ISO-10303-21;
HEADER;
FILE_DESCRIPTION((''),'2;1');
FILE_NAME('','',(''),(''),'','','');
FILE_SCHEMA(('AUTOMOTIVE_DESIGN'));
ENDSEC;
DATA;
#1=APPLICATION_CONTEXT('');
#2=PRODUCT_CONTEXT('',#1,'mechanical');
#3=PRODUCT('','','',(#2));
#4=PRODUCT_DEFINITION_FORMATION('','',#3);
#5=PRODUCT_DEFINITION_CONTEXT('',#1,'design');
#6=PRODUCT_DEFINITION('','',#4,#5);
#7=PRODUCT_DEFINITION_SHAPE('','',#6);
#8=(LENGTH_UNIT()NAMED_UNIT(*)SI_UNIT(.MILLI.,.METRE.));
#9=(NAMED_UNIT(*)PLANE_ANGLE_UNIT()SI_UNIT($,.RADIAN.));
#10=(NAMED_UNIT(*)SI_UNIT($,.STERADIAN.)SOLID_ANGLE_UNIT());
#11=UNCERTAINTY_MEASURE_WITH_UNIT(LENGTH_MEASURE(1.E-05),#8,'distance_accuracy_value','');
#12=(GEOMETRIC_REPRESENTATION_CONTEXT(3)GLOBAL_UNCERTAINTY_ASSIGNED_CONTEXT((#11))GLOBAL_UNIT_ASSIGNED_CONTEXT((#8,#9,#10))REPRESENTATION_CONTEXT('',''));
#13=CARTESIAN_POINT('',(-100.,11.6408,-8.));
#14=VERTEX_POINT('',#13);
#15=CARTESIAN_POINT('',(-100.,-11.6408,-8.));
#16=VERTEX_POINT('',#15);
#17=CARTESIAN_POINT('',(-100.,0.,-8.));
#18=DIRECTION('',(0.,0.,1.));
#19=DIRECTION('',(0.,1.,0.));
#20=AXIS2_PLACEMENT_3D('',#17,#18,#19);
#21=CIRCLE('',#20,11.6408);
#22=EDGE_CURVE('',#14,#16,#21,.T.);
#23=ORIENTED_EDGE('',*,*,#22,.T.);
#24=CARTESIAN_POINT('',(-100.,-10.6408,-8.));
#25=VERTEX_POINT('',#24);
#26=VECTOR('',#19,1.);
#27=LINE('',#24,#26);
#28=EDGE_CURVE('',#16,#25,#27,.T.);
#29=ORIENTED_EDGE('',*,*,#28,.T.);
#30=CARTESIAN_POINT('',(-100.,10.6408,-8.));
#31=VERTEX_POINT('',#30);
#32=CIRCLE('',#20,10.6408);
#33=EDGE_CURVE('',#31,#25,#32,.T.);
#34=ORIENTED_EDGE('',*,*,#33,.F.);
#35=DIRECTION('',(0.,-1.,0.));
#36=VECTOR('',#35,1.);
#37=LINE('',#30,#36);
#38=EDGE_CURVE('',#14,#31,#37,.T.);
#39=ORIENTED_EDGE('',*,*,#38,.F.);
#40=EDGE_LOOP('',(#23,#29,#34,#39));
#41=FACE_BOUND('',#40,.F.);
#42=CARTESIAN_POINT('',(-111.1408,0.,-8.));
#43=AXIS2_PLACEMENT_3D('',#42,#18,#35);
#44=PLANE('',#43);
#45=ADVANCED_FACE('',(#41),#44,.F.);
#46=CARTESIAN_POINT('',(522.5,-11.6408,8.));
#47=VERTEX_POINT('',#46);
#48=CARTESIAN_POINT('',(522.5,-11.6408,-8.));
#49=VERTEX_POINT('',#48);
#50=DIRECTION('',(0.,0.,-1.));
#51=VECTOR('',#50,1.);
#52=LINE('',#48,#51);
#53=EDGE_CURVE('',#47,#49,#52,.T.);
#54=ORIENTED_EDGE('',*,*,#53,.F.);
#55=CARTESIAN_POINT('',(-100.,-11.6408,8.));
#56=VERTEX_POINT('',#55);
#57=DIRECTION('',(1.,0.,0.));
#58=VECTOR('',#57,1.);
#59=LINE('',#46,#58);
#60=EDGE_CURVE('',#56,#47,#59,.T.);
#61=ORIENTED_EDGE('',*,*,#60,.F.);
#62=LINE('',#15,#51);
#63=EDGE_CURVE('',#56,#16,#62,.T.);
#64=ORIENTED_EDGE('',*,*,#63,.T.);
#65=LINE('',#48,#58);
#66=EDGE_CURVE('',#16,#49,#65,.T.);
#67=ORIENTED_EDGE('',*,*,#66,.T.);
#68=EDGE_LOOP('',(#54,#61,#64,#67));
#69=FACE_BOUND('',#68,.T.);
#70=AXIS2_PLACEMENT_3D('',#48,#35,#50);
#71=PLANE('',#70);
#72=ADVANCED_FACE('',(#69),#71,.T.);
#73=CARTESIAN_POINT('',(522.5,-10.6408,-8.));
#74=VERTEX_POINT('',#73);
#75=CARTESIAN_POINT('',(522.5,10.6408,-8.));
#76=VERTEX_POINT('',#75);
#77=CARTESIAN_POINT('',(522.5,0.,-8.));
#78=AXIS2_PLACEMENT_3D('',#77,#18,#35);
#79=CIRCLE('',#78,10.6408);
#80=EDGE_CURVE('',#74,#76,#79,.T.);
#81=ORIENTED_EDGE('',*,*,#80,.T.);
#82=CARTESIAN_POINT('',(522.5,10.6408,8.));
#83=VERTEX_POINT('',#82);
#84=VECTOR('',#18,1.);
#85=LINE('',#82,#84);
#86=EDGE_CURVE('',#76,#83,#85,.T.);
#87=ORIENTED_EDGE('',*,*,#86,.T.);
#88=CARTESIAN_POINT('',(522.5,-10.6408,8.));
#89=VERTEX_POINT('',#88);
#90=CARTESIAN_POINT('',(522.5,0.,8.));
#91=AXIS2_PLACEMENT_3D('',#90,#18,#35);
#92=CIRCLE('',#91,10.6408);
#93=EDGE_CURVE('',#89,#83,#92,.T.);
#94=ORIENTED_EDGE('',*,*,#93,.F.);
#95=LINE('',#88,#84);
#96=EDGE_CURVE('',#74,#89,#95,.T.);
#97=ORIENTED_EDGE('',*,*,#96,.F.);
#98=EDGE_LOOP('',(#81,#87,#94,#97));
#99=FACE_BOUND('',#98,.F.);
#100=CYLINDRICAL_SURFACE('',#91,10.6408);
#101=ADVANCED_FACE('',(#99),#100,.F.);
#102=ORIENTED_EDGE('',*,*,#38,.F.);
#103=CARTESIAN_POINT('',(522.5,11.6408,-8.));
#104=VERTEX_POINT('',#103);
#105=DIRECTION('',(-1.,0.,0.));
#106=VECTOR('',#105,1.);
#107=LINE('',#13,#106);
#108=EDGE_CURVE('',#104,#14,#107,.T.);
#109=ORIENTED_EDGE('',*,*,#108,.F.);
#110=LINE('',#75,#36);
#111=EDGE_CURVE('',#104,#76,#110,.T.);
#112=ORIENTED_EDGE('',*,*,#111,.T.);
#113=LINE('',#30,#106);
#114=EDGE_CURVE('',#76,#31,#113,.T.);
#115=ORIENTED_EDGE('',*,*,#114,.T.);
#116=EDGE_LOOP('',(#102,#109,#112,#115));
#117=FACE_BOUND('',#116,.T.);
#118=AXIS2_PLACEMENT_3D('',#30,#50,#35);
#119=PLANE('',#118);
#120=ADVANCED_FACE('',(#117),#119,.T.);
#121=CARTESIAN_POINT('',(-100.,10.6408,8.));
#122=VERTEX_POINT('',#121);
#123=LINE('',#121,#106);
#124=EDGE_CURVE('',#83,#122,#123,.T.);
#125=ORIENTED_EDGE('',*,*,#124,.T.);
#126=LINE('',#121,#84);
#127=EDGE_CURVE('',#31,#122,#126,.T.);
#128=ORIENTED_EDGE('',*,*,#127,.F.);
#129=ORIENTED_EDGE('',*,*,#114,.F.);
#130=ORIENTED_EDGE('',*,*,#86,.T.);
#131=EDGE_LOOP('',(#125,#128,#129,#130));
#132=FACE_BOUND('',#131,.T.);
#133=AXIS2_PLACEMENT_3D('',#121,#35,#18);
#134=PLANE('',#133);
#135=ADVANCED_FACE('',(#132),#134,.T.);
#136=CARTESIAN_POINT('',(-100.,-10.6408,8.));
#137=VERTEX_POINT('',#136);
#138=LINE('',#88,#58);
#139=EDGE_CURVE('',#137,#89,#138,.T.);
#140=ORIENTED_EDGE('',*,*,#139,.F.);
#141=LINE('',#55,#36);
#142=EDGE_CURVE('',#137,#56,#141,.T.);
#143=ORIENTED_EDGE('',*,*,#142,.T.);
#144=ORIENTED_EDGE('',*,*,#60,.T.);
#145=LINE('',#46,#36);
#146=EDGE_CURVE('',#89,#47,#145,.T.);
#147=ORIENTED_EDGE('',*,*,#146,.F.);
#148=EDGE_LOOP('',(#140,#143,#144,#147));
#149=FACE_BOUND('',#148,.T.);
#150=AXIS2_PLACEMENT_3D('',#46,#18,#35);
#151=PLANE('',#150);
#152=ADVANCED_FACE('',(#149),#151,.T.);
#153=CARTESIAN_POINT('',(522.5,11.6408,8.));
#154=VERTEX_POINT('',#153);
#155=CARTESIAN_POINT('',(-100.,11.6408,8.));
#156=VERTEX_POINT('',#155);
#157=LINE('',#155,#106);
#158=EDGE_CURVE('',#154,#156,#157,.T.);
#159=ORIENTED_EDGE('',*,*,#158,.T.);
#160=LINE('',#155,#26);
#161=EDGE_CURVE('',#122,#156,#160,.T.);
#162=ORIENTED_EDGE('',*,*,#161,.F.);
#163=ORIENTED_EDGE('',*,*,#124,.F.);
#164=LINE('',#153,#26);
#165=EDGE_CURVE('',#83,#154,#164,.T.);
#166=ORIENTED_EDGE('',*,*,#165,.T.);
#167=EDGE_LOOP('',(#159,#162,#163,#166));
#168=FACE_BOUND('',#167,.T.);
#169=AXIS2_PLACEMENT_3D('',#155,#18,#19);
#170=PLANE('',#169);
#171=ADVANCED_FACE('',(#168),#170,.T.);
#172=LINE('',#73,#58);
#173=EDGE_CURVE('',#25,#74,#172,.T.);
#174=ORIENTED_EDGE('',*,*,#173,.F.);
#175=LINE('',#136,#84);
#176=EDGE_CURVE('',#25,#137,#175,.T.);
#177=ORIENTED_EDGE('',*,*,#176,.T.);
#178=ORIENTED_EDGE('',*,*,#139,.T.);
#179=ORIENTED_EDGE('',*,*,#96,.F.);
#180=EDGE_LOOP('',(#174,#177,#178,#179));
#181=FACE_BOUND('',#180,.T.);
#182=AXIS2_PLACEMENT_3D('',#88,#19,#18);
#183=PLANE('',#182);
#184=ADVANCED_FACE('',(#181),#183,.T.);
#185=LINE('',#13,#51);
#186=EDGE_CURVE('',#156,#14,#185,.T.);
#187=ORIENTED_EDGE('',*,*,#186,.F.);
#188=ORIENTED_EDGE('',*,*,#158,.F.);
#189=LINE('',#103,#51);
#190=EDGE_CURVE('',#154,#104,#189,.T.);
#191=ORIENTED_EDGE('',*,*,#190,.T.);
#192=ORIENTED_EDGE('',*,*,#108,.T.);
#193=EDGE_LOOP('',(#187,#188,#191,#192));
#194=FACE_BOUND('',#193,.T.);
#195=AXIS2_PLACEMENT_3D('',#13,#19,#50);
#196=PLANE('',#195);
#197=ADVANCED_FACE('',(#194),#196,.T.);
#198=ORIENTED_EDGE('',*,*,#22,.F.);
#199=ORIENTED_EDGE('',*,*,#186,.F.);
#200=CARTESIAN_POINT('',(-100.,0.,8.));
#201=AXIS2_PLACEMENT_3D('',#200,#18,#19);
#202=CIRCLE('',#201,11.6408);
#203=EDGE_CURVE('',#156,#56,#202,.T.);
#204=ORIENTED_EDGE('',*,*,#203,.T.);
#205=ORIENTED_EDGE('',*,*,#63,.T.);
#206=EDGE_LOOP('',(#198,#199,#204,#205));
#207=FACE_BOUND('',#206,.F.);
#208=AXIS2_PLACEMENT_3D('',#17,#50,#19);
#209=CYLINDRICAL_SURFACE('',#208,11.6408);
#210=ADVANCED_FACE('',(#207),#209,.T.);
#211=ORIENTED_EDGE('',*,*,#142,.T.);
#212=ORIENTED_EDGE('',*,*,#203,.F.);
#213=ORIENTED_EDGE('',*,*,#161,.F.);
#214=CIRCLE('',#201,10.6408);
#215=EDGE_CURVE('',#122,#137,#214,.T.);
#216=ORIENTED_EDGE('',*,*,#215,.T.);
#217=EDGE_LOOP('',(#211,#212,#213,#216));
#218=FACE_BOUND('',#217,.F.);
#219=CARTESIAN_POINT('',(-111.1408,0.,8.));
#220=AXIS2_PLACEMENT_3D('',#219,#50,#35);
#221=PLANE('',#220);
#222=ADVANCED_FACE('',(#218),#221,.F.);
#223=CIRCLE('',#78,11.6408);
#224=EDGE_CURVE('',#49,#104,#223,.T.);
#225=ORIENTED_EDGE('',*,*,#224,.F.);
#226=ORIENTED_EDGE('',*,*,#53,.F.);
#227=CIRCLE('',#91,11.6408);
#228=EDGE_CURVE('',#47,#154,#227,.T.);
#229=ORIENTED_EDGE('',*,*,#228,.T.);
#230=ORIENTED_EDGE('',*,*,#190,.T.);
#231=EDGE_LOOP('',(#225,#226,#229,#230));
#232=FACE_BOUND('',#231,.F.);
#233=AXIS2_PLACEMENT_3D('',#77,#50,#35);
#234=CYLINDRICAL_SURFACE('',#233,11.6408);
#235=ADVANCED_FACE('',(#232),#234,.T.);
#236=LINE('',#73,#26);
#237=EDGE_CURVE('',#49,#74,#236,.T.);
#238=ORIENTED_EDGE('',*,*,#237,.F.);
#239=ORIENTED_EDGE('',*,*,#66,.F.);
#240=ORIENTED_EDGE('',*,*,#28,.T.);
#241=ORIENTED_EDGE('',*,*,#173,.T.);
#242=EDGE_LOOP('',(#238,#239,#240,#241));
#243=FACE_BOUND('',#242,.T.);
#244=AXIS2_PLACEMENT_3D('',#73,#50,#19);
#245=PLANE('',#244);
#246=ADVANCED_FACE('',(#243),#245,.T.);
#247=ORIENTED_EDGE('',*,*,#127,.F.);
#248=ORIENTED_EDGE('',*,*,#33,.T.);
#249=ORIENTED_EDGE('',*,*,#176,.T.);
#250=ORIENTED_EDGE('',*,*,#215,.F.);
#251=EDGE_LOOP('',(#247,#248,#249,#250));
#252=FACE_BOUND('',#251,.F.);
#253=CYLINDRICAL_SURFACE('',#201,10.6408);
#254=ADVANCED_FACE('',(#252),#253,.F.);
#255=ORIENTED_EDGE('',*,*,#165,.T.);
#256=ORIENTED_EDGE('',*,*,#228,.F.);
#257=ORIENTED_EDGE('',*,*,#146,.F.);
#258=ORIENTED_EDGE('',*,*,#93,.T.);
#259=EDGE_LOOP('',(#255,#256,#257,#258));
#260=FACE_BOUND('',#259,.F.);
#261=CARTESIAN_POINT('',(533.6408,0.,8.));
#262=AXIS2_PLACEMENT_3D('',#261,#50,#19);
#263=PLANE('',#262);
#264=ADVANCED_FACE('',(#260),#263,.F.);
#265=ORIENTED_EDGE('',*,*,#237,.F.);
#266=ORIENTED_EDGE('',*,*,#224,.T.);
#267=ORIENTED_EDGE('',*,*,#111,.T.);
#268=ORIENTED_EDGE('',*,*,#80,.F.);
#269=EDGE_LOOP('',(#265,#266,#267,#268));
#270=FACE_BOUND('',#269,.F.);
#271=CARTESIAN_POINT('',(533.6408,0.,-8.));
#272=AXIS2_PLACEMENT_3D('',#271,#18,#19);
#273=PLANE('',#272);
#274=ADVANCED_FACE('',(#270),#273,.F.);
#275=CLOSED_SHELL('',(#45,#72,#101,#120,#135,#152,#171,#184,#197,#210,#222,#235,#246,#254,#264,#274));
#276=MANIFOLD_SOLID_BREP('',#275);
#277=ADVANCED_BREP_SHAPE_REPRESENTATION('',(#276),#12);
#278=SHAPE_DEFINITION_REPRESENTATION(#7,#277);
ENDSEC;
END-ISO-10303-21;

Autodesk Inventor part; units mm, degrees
sketch "Sketch Path" plane through (0, 0, 0) normal (0, 0, 1) x (1, 0, 0)
  arc A0 (-100, 11.1408) -> (-100, -11.1408) centre (-100, 0) ccw
  arc A1 (522.5, -11.1408) -> (522.5, 11.1408) centre (522.5, 0) ccw
  line L0 (522.5, -11.1408) -> (-100, -11.1408)
  line L1 (-100, 11.1408) -> (522.5, 11.1408)
ref_plane "Cross Section Plane" through (-100, -11.1408, 0) normal (1, 0, 0) x (0, 0, 1)
ref_plane "Work Plane2" through (-100, 0, 0) normal (-1, 0, 0) x (0, 0, 1)
ref_plane "Work Plane3" through (522.5, 0, 0) normal (-0.9749, 0.2225, 0) x (0, 0, 1)
sketch "Cross Section" plane through (-100, -11.1408, 0) normal (1, 0, 0) x (0, 0, 1)
  line L0 (-8, 0.5) -> (8, 0.5)
  line L1 (8, 0.5) -> (8, -0.5)
  line L2 (8, -0.5) -> (-8, -0.5)
  line L3 (-8, -0.5) -> (-8, 0.5)
  line L4 (-8, 0) -> (8, 0) construction
  point P0 (0, 0)
  point P1 (0, 0)
  dimension "d0" = 16
  dimension "d4" = 0.5
  dimension "d5" = 0.5
sweep "Belt" add profiles "Cross Section" path "Sketch Path"
equation "\"d0\" = da_B"
equation "\"d4\" = da_a"
equation "\"d5\" = da_a2"
equation "\"da_B\" = 16"
equation "\"da_pb\" = 5"
equation "\"da_L\" = 1315"
equation "\"da_a\" = 0.5"
equation "\"da_S\" = 2.65"
equation "\"da_Beta\" = 20deg"
equation "\"da_Ht\" = 1.2"
equation "\"da_H\" = 2.2"
equation "\"da_a2\" = 0.5"
properties part number "Synchronous Belt" material "Rubber"
